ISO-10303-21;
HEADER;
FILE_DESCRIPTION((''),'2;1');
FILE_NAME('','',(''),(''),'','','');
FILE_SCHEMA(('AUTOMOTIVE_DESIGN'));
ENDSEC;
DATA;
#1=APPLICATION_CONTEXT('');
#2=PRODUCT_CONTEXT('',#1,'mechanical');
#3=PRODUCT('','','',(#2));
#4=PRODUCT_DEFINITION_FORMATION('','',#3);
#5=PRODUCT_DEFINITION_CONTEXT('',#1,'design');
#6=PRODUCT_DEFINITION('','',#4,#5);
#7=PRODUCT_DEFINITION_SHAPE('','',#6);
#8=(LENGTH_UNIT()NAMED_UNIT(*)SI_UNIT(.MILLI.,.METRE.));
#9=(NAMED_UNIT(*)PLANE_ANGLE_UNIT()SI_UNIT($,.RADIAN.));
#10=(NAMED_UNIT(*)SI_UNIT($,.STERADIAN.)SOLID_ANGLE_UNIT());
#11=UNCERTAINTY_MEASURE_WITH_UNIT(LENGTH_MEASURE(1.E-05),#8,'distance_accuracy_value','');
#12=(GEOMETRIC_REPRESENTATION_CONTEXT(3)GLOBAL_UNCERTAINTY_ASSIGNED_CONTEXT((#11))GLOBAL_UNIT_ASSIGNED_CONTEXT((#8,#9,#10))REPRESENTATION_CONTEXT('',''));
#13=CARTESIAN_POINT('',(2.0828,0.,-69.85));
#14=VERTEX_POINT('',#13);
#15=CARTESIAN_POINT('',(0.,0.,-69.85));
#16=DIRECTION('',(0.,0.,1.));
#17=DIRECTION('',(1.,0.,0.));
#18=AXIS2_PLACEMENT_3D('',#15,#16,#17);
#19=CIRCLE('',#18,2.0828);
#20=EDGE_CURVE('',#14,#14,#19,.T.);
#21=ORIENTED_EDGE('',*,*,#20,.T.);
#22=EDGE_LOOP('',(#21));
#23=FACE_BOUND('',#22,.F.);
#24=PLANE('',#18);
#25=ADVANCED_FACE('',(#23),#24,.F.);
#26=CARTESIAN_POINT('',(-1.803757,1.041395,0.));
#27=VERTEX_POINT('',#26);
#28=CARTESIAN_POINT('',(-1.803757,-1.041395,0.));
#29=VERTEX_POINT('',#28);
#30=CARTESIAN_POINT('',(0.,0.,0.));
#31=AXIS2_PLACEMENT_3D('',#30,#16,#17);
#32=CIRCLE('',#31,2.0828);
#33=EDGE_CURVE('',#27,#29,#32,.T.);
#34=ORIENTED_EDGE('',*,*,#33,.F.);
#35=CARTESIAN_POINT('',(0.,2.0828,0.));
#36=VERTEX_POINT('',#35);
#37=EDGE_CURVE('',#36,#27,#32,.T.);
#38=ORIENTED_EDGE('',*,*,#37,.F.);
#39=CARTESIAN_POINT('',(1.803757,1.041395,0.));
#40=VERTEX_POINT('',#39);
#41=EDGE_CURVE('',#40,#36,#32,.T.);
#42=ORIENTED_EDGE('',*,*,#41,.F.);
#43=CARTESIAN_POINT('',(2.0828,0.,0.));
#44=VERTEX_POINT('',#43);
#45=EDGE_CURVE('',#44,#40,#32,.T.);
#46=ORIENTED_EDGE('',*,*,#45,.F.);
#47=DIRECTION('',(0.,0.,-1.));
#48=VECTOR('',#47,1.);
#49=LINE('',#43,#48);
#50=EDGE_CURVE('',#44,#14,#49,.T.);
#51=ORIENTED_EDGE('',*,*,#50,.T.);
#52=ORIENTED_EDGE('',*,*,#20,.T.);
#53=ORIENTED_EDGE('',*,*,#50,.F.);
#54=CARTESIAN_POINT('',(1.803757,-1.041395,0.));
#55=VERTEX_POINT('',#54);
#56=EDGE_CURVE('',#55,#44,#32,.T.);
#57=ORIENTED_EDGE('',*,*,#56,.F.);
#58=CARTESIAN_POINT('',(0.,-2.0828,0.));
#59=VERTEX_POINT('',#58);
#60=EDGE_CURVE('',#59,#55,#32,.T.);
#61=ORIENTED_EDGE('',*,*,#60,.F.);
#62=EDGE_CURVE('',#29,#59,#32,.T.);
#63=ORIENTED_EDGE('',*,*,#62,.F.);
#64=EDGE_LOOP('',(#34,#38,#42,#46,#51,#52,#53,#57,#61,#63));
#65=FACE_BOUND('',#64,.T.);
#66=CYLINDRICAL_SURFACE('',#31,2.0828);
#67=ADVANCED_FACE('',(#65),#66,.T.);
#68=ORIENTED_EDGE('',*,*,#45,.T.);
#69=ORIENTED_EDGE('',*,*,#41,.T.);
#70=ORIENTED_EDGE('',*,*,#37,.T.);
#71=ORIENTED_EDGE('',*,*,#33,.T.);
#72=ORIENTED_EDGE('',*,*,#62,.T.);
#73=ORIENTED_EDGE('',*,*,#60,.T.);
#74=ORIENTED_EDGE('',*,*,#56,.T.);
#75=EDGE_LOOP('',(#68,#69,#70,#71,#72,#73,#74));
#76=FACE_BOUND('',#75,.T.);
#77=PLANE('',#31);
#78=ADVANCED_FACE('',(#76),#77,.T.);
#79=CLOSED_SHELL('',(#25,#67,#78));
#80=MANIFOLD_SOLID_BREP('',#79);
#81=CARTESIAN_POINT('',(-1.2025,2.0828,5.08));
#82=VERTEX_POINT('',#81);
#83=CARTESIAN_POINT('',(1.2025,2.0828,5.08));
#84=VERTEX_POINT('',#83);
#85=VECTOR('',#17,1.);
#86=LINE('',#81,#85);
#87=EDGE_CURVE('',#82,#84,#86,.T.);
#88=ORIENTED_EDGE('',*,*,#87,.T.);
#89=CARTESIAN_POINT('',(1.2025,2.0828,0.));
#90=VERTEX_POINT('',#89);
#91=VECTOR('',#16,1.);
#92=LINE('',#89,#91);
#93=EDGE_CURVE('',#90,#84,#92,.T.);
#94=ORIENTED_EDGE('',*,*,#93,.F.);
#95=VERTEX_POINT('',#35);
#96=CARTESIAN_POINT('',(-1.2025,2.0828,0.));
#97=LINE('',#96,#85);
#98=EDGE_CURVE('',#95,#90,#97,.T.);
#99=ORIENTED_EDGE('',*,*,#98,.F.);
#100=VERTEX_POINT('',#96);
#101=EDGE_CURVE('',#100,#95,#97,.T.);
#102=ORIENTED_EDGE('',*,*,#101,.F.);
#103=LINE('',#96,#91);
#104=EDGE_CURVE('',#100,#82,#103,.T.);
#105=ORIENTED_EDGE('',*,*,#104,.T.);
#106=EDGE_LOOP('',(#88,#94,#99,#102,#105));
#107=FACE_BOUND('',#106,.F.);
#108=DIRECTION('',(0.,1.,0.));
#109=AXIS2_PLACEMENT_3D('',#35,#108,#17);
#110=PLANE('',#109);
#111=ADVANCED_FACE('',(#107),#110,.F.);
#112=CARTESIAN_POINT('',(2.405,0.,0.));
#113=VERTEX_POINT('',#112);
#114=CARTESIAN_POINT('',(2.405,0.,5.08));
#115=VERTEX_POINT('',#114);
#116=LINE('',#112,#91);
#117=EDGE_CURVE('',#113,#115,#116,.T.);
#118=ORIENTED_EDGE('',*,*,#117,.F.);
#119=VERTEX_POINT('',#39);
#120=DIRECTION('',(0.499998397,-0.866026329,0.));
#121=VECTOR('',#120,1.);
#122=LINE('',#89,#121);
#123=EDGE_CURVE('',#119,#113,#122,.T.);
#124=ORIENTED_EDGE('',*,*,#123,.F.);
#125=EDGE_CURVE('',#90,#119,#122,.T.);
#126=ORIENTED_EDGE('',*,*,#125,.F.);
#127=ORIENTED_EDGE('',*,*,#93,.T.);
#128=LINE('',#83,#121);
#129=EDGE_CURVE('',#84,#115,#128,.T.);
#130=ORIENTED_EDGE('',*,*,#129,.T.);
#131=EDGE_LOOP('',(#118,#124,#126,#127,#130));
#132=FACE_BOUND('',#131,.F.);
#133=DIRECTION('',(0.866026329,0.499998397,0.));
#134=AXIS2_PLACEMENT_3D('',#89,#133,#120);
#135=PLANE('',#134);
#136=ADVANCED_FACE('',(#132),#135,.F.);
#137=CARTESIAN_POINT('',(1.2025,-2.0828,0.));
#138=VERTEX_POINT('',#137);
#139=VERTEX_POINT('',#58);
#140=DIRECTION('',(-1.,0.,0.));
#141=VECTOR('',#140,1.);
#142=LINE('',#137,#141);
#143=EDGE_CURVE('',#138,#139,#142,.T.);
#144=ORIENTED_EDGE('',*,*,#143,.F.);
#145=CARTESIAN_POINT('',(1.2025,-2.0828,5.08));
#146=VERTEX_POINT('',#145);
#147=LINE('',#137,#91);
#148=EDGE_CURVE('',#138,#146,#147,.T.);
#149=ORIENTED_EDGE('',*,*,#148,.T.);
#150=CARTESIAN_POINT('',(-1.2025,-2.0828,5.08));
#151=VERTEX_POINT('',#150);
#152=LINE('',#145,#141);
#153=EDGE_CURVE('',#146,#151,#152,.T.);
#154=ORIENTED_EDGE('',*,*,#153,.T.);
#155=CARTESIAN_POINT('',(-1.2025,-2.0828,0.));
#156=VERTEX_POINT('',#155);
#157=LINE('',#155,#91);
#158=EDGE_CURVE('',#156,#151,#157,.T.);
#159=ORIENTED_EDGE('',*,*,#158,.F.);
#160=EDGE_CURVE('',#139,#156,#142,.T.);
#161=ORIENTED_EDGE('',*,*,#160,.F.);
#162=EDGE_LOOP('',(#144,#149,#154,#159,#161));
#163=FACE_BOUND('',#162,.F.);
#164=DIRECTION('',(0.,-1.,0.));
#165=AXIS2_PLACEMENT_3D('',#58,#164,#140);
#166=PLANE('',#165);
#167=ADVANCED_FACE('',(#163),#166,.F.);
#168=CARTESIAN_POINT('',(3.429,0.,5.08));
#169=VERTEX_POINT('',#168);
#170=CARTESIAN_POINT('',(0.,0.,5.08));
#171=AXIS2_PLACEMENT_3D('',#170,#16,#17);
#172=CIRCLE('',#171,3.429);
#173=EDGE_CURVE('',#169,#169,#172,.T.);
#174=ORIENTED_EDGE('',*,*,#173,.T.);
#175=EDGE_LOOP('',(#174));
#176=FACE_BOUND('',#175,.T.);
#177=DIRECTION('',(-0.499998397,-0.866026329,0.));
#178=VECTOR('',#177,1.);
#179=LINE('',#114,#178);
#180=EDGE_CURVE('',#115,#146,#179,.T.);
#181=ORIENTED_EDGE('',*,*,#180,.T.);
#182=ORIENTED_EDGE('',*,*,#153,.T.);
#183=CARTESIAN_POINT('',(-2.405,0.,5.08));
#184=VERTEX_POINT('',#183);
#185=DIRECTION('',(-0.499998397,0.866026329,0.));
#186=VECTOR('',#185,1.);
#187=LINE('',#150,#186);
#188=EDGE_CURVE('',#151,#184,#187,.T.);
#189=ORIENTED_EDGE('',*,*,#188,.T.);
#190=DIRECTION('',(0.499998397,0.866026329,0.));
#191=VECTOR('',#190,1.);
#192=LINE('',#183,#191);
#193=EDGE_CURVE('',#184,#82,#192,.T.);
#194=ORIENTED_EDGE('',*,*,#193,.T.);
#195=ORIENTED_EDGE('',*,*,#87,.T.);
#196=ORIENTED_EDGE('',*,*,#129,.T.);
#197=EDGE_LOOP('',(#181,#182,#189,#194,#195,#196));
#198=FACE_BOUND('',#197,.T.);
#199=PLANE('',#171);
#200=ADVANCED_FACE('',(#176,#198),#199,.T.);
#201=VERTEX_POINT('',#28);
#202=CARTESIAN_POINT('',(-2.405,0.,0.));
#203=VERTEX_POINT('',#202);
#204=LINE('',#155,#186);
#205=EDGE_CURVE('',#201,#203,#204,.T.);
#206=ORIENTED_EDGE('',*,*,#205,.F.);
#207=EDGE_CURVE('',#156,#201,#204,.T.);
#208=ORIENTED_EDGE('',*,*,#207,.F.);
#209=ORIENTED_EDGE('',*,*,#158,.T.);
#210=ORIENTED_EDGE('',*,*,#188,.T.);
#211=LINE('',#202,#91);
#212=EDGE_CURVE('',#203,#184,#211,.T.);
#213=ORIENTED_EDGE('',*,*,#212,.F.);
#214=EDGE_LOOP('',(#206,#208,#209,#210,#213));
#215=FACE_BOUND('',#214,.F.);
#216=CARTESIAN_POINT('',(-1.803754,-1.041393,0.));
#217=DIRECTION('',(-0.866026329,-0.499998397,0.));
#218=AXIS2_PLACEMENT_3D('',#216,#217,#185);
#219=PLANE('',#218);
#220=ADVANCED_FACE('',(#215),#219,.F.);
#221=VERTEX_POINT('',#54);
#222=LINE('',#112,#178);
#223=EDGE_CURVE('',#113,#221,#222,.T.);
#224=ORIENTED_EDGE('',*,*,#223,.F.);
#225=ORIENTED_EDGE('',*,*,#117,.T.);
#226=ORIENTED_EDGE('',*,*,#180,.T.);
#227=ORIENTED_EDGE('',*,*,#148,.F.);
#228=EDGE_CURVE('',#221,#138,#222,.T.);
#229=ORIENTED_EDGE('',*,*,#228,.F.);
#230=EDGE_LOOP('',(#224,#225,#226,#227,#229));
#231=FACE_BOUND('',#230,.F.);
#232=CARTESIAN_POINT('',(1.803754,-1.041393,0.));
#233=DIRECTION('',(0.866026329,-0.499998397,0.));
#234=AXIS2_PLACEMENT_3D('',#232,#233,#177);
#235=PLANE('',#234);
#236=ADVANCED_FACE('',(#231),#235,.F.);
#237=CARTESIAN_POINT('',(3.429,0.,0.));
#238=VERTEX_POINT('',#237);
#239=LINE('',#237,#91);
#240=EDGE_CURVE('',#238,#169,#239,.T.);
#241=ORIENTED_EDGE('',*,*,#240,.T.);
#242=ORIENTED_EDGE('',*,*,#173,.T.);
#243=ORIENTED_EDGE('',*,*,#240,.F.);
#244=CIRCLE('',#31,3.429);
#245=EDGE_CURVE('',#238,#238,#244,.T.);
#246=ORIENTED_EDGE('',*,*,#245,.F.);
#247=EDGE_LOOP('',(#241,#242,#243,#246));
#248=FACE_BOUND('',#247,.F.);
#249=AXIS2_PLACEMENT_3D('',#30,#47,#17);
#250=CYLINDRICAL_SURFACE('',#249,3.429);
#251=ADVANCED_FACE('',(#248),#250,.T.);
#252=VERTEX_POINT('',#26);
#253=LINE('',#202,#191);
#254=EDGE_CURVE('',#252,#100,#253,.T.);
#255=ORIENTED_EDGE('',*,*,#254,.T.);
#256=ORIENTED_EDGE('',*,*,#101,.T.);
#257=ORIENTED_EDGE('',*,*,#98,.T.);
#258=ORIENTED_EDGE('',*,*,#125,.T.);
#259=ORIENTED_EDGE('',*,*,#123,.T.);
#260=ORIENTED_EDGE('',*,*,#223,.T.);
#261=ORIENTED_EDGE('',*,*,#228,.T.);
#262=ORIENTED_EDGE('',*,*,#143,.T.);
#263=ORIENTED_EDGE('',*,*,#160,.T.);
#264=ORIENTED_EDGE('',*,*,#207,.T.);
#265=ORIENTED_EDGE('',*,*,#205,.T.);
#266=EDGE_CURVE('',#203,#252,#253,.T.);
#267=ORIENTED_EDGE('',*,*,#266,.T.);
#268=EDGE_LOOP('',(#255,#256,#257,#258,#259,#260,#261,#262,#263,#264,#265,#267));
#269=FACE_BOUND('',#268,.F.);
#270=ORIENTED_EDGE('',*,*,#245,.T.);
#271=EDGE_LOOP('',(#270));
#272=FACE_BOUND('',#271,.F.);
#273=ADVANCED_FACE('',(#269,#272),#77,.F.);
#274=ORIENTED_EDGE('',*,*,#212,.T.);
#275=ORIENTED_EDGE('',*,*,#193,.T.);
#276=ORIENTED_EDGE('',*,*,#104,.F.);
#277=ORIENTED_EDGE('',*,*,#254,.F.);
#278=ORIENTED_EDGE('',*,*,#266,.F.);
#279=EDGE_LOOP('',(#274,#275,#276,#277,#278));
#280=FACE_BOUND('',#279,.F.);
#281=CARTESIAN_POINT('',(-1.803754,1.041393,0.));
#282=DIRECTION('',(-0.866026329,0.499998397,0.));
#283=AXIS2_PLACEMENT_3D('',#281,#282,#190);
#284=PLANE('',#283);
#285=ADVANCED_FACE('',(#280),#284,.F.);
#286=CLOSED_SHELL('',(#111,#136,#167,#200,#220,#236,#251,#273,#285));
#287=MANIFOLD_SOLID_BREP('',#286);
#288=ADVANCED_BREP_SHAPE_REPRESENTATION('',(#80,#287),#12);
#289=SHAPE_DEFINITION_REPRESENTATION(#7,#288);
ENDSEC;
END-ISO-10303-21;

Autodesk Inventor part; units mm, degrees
ref_plane "YZ Plane" through (0, 0, 0) normal (1, 0, 0) x (0, 1, 0)
ref_plane "XZ Plane" through (0, 0, 0) normal (0, 1, 0) x (-1, 0, 0)
ref_plane "XY Plane" through (0, 0, 0) normal (0, 0, 1) x (1, 0, 0)
sketch "Sketch1" plane through (0, 0, 0) normal (0, 0, 1) x (1, 0, 0)
  circle A0 centre (0, 0) radius 3.429
  circle A1 centre (0, 0) radius 2.0828
  line L0 (1.2025, 2.0828) -> (2.405, 0)
  line L1 (2.405, 0) -> (1.2025, -2.0828)
  line L2 (1.2025, -2.0828) -> (-1.2025, -2.0828)
  line L3 (-1.2025, -2.0828) -> (-2.405, 0)
  line L4 (-2.405, 0) -> (-1.2025, 2.0828)
  line L5 (-1.2025, 2.0828) -> (1.2025, 2.0828)
  dimension "d0" = 4.1656
  dimension "d1" = 6.858
extrude "Extrusion1" add sketch "Sketch1" against normal blind 69.85 contours A1
extrude "Extrusion2" add sketch "Sketch1" along normal blind 5.08
thread "Thread1" size "8-32 UNC" class "2A" standard "ANSI Unified Screw Threads" full length
properties part number "Bolt 8-32 bracket BD Drill motor mount"
